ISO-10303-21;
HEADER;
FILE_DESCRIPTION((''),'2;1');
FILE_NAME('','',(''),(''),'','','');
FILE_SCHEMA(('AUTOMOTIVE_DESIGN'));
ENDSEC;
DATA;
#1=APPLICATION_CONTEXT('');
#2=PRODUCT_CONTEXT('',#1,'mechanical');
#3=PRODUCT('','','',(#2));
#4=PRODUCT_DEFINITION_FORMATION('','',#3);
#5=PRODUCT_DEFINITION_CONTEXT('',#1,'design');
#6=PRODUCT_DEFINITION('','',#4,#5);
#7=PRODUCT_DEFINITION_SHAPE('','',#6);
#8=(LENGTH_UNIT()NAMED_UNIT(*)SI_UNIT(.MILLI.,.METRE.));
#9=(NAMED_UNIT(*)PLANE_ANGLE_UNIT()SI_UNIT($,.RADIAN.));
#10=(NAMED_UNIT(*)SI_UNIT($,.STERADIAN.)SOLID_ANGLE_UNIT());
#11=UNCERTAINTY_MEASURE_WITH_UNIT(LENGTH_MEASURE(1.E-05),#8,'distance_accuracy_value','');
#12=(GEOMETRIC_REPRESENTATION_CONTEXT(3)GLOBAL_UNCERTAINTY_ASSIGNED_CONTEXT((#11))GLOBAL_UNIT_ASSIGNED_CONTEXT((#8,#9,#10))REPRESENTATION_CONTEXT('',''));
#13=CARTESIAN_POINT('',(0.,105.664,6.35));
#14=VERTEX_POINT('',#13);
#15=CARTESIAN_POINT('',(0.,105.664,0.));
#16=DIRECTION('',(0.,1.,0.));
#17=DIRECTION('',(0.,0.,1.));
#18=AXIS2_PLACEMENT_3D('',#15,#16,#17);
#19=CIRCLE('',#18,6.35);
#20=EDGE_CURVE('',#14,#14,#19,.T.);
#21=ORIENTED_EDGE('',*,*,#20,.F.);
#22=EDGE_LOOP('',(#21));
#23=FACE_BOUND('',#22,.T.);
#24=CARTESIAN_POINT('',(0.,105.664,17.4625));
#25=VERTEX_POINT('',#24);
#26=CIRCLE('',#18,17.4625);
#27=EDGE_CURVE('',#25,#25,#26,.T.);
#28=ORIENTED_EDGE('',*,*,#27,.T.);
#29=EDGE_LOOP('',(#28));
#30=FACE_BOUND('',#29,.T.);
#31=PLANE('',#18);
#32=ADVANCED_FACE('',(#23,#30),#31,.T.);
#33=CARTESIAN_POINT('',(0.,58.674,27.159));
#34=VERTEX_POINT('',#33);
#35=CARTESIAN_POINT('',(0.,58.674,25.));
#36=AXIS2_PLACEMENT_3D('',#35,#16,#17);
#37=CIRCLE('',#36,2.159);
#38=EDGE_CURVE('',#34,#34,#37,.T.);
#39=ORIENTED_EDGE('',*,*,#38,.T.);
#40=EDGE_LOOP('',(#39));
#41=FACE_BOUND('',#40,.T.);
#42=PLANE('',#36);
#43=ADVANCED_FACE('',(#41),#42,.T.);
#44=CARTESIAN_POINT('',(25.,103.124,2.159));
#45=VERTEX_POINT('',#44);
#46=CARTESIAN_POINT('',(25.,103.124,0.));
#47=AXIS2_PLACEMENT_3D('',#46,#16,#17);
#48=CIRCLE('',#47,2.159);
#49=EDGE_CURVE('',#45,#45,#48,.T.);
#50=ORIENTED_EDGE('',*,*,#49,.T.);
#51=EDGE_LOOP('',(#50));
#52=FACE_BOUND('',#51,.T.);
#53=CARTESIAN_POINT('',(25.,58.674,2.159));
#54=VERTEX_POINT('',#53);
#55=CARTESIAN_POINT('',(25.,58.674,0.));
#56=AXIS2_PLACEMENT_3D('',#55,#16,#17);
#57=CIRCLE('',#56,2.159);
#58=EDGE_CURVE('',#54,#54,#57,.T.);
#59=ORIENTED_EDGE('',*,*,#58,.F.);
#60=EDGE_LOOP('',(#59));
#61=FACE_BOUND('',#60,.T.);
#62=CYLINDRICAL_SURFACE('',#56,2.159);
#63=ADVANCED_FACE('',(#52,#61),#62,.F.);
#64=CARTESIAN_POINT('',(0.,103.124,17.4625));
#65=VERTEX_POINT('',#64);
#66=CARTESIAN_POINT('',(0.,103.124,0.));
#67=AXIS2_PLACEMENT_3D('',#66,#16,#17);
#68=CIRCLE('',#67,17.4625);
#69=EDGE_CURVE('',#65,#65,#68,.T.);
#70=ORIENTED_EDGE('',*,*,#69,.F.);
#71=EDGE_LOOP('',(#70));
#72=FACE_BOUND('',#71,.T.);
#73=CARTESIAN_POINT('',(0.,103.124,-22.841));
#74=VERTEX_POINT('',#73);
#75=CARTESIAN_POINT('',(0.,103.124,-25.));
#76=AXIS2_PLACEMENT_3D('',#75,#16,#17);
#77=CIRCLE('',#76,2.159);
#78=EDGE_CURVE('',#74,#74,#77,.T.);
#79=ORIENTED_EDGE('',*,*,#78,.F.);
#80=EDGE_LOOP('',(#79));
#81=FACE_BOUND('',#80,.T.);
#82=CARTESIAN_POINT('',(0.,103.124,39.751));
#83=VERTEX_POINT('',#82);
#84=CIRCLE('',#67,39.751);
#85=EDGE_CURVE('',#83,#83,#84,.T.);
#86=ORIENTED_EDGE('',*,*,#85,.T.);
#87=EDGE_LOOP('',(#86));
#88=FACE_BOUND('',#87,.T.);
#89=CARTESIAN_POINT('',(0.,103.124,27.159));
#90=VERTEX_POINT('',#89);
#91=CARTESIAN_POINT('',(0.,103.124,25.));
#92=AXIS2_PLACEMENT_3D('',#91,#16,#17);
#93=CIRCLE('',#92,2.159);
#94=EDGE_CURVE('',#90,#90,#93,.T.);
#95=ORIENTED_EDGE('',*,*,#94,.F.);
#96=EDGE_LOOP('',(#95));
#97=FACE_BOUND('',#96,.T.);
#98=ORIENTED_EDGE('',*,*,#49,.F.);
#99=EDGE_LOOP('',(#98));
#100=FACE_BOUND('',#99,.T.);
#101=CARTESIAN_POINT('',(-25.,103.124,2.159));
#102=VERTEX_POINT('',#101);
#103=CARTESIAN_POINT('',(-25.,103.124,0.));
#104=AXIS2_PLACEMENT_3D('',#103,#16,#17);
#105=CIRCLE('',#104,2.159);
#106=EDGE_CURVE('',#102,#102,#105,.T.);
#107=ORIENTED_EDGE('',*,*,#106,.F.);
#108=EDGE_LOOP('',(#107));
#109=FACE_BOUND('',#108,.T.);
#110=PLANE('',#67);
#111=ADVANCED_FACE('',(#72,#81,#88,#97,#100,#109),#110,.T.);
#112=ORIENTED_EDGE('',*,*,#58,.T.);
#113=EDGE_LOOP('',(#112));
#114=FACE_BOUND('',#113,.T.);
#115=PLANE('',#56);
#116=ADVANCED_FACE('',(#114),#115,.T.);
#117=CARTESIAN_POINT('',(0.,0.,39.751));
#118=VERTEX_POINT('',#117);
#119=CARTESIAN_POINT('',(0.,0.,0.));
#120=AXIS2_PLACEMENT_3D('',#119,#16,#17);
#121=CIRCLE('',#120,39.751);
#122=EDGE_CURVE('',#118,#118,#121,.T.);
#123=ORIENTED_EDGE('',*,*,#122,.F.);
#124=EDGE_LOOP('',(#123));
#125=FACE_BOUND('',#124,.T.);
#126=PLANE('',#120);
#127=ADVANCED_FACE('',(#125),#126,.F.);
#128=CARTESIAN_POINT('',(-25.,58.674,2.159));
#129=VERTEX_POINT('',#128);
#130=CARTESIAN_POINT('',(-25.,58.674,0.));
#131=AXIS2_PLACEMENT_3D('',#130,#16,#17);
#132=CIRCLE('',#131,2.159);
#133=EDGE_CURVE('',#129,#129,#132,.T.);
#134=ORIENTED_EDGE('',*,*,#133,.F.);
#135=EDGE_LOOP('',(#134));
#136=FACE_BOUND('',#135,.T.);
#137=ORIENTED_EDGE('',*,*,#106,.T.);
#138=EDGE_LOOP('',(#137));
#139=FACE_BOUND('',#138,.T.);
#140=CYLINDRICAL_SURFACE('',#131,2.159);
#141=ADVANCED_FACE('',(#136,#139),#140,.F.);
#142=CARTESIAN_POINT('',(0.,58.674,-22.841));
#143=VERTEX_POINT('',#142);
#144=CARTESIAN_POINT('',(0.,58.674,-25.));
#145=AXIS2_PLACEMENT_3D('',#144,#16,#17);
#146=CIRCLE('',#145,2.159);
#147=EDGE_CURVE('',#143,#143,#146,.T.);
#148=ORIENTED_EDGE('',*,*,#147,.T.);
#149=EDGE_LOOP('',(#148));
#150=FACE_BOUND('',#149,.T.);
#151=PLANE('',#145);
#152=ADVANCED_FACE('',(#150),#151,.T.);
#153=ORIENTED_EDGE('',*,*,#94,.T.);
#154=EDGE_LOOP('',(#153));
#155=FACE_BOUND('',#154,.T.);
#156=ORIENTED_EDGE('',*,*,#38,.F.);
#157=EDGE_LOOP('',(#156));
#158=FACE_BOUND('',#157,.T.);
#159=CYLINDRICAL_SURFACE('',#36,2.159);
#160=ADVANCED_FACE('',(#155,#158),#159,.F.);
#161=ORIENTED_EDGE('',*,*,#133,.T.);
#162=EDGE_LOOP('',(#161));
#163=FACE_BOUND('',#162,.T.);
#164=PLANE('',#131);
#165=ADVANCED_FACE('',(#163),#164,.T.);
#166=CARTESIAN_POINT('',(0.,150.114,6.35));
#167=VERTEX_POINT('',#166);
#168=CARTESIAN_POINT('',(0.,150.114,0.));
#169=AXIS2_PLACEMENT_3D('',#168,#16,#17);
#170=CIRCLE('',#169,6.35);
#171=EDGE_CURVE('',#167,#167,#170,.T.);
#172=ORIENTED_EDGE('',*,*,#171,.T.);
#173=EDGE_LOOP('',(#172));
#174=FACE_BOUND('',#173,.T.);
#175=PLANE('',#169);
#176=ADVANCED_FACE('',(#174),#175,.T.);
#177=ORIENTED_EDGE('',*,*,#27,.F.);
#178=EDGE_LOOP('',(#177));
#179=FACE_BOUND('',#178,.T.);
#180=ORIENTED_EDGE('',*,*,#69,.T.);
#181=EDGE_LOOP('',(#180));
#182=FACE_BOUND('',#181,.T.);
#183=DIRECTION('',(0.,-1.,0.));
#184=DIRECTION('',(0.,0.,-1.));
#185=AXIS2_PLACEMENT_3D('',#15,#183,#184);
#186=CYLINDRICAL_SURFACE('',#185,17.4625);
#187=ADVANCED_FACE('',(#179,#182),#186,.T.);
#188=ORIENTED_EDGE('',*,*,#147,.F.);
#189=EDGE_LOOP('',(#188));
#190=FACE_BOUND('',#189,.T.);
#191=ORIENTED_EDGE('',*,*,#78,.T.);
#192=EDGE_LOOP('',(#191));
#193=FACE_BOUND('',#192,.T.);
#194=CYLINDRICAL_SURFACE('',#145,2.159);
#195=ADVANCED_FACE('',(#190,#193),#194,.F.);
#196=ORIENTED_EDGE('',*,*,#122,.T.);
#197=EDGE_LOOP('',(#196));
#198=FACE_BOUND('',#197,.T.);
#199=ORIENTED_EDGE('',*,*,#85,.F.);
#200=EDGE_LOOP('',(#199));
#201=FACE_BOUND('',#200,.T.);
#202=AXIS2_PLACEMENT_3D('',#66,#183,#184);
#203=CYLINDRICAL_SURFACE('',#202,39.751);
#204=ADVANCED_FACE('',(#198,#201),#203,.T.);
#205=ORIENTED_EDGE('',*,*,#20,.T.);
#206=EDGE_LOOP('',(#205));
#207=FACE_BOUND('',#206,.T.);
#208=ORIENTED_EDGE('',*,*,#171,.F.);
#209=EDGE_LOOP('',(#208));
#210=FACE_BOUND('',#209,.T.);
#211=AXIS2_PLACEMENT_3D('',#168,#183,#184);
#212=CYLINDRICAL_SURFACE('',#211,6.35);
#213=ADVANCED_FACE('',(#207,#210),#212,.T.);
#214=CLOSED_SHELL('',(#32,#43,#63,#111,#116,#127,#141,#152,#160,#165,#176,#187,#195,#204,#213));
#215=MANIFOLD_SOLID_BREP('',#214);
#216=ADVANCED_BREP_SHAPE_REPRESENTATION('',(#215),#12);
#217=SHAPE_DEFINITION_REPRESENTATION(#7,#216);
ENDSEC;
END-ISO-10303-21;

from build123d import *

# Parameters (mm, degrees)
SKETCH1_R           = 39.751
BOSS_EXTRUDE1_DEPTH = 103.124
SKETCH2_R           = 17.4625
BOSS_EXTRUDE2_DEPTH = 2.54
SKETCH3_R           = 6.35
BOSS_EXTRUDE3_DEPTH = 44.45
SKETCH4_R           = 2.159
CUT_EXTRUDE1_DEPTH  = 44.45


with BuildPart() as part:
    # Sketch1 → Boss-Extrude1 (new body)
    with BuildSketch(Plane(origin=(0, 0, 0), x_dir=(1, 0, 0), z_dir=(0, 1, 0))):
        Circle(SKETCH1_R)
    extrude(amount=BOSS_EXTRUDE1_DEPTH)

    # Sketch2 → Boss-Extrude2 (add)
    with BuildSketch(Plane(origin=(0, 103.124, 0), x_dir=(1, 0, 0), z_dir=(0, 1, 0))):
        Circle(SKETCH2_R)
    extrude(amount=BOSS_EXTRUDE2_DEPTH)

    # Sketch3 → Boss-Extrude3 (add)
    with BuildSketch(Plane(origin=(0, 105.664, 0), x_dir=(1, 0, 0), z_dir=(0, 1, 0))):
        Circle(SKETCH3_R)
    extrude(amount=BOSS_EXTRUDE3_DEPTH)

    # Sketch4 → Cut-Extrude1 (cut)
    with BuildSketch(Plane(origin=(0, 103.124, 0), x_dir=(1, 0, 0), z_dir=(0, 1, 0))):
        with Locations((0, 25)):
            Circle(SKETCH4_R)
        with Locations((25, 0)):
            Circle(SKETCH4_R)
        with Locations((0, -25)):
            Circle(SKETCH4_R)
        with Locations((-25, 0)):
            Circle(SKETCH4_R)
    extrude(amount=-CUT_EXTRUDE1_DEPTH, mode=Mode.SUBTRACT)


solid = part.part
